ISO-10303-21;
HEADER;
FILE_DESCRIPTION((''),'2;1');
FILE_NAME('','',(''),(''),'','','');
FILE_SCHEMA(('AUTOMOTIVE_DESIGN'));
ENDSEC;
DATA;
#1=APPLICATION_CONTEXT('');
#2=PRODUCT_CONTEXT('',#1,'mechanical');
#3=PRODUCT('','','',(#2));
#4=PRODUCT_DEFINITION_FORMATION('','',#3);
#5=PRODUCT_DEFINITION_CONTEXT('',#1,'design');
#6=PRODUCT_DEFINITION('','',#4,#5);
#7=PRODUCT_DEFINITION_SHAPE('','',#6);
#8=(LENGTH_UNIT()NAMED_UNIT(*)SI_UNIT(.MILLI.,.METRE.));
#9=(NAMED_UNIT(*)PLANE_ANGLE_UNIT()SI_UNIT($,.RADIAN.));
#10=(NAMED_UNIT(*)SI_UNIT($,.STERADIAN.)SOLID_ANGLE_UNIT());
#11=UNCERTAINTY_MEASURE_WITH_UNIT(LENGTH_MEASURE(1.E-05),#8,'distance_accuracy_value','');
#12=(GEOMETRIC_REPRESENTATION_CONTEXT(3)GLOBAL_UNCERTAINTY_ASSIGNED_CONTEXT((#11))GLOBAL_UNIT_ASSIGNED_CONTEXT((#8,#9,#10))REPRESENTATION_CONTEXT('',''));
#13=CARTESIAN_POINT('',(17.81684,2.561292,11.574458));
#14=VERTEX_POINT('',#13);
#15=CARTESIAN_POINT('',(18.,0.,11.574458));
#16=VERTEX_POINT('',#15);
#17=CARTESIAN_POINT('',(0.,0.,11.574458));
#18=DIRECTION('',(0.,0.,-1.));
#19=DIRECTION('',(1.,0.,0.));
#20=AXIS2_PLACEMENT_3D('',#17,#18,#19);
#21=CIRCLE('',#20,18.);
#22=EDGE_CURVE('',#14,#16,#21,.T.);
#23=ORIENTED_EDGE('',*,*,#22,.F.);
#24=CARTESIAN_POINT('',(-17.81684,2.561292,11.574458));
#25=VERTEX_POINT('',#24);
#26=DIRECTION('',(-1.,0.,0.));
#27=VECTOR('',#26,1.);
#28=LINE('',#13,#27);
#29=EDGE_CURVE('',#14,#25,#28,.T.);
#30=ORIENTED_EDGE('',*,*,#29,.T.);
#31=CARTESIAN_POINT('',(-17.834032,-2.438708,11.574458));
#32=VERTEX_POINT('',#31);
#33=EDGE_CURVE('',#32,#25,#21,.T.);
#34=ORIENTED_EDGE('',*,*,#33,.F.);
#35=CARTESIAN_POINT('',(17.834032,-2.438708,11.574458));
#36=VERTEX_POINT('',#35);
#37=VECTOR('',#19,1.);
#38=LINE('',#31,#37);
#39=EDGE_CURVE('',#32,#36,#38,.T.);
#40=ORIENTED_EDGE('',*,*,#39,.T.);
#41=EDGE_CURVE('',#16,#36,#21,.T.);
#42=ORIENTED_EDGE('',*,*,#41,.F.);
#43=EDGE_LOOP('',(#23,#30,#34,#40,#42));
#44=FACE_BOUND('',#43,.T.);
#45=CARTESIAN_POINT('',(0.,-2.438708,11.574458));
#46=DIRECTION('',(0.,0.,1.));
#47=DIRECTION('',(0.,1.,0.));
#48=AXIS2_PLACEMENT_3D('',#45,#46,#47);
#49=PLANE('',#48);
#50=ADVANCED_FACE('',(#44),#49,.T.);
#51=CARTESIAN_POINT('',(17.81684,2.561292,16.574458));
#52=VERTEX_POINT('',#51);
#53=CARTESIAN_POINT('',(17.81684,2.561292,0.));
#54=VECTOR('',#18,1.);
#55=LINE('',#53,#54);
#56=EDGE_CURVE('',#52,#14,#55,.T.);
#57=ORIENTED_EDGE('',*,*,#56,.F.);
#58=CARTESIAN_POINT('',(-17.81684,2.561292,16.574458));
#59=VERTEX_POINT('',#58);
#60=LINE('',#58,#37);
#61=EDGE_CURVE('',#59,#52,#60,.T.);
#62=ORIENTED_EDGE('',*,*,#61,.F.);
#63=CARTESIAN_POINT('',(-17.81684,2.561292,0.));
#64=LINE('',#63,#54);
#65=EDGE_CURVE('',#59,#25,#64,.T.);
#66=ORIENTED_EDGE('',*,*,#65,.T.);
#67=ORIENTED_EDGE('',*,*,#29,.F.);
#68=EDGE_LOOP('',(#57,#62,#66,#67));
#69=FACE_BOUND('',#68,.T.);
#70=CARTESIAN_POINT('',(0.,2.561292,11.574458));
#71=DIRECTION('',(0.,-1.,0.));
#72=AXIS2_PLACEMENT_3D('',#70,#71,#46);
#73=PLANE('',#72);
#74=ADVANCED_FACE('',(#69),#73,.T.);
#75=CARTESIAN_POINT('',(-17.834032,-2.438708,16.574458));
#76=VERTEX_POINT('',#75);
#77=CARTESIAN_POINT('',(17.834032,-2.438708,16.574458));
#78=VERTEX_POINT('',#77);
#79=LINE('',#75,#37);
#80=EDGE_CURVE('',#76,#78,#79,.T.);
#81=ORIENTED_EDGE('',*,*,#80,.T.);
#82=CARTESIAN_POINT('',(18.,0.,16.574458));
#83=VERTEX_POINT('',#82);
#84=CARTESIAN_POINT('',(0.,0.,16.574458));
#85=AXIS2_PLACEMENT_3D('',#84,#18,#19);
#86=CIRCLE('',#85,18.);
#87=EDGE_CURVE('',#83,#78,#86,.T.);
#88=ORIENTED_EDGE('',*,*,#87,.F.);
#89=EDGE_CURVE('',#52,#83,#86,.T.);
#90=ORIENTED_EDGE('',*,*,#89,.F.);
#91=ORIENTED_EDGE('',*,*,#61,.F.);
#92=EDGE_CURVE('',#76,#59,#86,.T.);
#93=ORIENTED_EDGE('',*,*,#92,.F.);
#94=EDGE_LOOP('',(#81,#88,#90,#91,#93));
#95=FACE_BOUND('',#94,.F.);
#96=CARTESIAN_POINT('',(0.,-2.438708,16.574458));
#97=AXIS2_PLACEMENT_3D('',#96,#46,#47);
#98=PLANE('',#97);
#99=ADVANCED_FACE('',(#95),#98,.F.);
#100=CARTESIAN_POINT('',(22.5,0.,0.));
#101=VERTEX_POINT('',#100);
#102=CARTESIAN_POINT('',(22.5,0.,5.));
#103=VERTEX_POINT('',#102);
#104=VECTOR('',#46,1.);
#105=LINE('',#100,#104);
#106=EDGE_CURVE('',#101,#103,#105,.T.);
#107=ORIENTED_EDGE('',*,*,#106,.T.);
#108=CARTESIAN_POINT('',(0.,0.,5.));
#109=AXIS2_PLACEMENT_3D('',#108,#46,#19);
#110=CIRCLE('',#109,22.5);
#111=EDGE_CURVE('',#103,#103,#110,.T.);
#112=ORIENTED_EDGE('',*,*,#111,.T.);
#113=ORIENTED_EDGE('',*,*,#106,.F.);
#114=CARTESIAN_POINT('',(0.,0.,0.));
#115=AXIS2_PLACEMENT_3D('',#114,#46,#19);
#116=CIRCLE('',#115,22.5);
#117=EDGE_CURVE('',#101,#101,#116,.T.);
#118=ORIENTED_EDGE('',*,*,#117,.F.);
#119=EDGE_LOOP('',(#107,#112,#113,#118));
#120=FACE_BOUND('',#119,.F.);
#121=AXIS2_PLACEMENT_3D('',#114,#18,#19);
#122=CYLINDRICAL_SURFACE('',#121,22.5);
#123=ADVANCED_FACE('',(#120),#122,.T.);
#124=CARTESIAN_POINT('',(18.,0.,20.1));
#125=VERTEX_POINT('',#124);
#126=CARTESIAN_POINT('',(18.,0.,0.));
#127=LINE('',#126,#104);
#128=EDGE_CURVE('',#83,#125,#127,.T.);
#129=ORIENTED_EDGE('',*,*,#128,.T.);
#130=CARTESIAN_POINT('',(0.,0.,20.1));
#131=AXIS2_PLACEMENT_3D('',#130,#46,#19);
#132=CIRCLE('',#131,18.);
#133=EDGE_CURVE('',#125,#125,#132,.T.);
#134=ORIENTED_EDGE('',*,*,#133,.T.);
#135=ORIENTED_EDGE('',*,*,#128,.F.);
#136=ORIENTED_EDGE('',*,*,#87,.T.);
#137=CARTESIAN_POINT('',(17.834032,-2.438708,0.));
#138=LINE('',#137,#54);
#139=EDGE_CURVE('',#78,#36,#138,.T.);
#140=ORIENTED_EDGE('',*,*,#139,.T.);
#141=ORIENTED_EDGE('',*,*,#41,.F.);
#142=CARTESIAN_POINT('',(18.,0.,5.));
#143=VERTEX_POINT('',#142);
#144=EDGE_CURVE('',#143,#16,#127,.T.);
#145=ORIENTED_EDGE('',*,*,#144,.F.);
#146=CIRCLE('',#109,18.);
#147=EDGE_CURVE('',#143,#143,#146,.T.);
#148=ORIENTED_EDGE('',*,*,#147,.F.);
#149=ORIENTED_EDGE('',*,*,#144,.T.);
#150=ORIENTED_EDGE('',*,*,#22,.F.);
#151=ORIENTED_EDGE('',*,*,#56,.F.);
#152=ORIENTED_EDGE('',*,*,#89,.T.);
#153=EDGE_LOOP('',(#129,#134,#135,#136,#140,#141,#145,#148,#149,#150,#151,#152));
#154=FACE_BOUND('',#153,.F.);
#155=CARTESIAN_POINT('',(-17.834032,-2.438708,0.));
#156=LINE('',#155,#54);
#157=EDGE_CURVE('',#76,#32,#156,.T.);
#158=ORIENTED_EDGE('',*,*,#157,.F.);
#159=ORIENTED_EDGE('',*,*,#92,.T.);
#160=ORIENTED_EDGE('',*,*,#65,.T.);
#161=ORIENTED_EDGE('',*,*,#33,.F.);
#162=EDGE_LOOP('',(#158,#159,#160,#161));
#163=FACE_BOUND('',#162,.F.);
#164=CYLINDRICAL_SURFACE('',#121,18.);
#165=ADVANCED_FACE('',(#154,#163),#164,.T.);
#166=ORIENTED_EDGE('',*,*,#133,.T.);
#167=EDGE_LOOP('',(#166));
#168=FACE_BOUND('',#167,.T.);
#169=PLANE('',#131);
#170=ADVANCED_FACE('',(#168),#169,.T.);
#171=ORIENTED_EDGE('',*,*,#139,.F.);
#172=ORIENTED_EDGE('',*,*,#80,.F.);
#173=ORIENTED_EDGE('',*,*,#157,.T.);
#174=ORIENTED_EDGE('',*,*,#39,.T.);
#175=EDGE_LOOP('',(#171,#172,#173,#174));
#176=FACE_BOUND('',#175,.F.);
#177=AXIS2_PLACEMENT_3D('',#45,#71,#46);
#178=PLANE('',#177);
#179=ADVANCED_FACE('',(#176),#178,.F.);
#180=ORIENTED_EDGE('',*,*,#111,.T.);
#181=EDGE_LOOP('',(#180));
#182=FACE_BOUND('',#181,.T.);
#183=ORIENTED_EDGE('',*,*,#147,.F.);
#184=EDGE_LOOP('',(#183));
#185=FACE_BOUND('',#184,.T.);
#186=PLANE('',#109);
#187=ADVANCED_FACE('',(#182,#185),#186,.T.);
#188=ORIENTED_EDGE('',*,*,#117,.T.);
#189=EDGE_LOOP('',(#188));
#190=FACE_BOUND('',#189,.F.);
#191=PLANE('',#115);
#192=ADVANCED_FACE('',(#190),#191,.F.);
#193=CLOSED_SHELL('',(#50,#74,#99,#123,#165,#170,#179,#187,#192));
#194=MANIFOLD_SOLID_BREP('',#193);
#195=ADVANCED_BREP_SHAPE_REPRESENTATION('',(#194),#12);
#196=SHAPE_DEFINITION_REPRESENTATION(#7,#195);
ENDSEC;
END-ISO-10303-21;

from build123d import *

# Parameters (mm, degrees)
F0_R          = 18
F0_R_2        = 16
F1_DEPTH      = 20.1
F0_R_3        = 22.5
F2_DEPTH      = 5
F3_W          = 5
F3_H          = 5
F4_DEPTH      = 25
F4_DEPTH_BACK = 25


with BuildPart() as f1:
    # F0 (on Top) → F1 (new body)
    with BuildSketch(Plane.XY):
        Circle(F0_R)
        Circle(F0_R_2, mode=Mode.SUBTRACT)
        Circle(F0_R_2)
    extrude(amount=F1_DEPTH)

    # F0 (on Top) → F2 (join)
    with BuildSketch(Plane.XY):
        Circle(F0_R_3)
        Circle(F0_R, mode=Mode.SUBTRACT)
    extrude(amount=F2_DEPTH)

    # F3 (on Right) → F4 (cut, two sides)
    with BuildSketch(Plane.YZ) as f4_sk:
        with Locations((0.061292029, 14.0744583309)):
            Rectangle(F3_W, F3_H)
    extrude(amount=F4_DEPTH, mode=Mode.SUBTRACT)
    extrude(f4_sk.sketch, amount=-F4_DEPTH_BACK, mode=Mode.SUBTRACT)


solid = f1.part
